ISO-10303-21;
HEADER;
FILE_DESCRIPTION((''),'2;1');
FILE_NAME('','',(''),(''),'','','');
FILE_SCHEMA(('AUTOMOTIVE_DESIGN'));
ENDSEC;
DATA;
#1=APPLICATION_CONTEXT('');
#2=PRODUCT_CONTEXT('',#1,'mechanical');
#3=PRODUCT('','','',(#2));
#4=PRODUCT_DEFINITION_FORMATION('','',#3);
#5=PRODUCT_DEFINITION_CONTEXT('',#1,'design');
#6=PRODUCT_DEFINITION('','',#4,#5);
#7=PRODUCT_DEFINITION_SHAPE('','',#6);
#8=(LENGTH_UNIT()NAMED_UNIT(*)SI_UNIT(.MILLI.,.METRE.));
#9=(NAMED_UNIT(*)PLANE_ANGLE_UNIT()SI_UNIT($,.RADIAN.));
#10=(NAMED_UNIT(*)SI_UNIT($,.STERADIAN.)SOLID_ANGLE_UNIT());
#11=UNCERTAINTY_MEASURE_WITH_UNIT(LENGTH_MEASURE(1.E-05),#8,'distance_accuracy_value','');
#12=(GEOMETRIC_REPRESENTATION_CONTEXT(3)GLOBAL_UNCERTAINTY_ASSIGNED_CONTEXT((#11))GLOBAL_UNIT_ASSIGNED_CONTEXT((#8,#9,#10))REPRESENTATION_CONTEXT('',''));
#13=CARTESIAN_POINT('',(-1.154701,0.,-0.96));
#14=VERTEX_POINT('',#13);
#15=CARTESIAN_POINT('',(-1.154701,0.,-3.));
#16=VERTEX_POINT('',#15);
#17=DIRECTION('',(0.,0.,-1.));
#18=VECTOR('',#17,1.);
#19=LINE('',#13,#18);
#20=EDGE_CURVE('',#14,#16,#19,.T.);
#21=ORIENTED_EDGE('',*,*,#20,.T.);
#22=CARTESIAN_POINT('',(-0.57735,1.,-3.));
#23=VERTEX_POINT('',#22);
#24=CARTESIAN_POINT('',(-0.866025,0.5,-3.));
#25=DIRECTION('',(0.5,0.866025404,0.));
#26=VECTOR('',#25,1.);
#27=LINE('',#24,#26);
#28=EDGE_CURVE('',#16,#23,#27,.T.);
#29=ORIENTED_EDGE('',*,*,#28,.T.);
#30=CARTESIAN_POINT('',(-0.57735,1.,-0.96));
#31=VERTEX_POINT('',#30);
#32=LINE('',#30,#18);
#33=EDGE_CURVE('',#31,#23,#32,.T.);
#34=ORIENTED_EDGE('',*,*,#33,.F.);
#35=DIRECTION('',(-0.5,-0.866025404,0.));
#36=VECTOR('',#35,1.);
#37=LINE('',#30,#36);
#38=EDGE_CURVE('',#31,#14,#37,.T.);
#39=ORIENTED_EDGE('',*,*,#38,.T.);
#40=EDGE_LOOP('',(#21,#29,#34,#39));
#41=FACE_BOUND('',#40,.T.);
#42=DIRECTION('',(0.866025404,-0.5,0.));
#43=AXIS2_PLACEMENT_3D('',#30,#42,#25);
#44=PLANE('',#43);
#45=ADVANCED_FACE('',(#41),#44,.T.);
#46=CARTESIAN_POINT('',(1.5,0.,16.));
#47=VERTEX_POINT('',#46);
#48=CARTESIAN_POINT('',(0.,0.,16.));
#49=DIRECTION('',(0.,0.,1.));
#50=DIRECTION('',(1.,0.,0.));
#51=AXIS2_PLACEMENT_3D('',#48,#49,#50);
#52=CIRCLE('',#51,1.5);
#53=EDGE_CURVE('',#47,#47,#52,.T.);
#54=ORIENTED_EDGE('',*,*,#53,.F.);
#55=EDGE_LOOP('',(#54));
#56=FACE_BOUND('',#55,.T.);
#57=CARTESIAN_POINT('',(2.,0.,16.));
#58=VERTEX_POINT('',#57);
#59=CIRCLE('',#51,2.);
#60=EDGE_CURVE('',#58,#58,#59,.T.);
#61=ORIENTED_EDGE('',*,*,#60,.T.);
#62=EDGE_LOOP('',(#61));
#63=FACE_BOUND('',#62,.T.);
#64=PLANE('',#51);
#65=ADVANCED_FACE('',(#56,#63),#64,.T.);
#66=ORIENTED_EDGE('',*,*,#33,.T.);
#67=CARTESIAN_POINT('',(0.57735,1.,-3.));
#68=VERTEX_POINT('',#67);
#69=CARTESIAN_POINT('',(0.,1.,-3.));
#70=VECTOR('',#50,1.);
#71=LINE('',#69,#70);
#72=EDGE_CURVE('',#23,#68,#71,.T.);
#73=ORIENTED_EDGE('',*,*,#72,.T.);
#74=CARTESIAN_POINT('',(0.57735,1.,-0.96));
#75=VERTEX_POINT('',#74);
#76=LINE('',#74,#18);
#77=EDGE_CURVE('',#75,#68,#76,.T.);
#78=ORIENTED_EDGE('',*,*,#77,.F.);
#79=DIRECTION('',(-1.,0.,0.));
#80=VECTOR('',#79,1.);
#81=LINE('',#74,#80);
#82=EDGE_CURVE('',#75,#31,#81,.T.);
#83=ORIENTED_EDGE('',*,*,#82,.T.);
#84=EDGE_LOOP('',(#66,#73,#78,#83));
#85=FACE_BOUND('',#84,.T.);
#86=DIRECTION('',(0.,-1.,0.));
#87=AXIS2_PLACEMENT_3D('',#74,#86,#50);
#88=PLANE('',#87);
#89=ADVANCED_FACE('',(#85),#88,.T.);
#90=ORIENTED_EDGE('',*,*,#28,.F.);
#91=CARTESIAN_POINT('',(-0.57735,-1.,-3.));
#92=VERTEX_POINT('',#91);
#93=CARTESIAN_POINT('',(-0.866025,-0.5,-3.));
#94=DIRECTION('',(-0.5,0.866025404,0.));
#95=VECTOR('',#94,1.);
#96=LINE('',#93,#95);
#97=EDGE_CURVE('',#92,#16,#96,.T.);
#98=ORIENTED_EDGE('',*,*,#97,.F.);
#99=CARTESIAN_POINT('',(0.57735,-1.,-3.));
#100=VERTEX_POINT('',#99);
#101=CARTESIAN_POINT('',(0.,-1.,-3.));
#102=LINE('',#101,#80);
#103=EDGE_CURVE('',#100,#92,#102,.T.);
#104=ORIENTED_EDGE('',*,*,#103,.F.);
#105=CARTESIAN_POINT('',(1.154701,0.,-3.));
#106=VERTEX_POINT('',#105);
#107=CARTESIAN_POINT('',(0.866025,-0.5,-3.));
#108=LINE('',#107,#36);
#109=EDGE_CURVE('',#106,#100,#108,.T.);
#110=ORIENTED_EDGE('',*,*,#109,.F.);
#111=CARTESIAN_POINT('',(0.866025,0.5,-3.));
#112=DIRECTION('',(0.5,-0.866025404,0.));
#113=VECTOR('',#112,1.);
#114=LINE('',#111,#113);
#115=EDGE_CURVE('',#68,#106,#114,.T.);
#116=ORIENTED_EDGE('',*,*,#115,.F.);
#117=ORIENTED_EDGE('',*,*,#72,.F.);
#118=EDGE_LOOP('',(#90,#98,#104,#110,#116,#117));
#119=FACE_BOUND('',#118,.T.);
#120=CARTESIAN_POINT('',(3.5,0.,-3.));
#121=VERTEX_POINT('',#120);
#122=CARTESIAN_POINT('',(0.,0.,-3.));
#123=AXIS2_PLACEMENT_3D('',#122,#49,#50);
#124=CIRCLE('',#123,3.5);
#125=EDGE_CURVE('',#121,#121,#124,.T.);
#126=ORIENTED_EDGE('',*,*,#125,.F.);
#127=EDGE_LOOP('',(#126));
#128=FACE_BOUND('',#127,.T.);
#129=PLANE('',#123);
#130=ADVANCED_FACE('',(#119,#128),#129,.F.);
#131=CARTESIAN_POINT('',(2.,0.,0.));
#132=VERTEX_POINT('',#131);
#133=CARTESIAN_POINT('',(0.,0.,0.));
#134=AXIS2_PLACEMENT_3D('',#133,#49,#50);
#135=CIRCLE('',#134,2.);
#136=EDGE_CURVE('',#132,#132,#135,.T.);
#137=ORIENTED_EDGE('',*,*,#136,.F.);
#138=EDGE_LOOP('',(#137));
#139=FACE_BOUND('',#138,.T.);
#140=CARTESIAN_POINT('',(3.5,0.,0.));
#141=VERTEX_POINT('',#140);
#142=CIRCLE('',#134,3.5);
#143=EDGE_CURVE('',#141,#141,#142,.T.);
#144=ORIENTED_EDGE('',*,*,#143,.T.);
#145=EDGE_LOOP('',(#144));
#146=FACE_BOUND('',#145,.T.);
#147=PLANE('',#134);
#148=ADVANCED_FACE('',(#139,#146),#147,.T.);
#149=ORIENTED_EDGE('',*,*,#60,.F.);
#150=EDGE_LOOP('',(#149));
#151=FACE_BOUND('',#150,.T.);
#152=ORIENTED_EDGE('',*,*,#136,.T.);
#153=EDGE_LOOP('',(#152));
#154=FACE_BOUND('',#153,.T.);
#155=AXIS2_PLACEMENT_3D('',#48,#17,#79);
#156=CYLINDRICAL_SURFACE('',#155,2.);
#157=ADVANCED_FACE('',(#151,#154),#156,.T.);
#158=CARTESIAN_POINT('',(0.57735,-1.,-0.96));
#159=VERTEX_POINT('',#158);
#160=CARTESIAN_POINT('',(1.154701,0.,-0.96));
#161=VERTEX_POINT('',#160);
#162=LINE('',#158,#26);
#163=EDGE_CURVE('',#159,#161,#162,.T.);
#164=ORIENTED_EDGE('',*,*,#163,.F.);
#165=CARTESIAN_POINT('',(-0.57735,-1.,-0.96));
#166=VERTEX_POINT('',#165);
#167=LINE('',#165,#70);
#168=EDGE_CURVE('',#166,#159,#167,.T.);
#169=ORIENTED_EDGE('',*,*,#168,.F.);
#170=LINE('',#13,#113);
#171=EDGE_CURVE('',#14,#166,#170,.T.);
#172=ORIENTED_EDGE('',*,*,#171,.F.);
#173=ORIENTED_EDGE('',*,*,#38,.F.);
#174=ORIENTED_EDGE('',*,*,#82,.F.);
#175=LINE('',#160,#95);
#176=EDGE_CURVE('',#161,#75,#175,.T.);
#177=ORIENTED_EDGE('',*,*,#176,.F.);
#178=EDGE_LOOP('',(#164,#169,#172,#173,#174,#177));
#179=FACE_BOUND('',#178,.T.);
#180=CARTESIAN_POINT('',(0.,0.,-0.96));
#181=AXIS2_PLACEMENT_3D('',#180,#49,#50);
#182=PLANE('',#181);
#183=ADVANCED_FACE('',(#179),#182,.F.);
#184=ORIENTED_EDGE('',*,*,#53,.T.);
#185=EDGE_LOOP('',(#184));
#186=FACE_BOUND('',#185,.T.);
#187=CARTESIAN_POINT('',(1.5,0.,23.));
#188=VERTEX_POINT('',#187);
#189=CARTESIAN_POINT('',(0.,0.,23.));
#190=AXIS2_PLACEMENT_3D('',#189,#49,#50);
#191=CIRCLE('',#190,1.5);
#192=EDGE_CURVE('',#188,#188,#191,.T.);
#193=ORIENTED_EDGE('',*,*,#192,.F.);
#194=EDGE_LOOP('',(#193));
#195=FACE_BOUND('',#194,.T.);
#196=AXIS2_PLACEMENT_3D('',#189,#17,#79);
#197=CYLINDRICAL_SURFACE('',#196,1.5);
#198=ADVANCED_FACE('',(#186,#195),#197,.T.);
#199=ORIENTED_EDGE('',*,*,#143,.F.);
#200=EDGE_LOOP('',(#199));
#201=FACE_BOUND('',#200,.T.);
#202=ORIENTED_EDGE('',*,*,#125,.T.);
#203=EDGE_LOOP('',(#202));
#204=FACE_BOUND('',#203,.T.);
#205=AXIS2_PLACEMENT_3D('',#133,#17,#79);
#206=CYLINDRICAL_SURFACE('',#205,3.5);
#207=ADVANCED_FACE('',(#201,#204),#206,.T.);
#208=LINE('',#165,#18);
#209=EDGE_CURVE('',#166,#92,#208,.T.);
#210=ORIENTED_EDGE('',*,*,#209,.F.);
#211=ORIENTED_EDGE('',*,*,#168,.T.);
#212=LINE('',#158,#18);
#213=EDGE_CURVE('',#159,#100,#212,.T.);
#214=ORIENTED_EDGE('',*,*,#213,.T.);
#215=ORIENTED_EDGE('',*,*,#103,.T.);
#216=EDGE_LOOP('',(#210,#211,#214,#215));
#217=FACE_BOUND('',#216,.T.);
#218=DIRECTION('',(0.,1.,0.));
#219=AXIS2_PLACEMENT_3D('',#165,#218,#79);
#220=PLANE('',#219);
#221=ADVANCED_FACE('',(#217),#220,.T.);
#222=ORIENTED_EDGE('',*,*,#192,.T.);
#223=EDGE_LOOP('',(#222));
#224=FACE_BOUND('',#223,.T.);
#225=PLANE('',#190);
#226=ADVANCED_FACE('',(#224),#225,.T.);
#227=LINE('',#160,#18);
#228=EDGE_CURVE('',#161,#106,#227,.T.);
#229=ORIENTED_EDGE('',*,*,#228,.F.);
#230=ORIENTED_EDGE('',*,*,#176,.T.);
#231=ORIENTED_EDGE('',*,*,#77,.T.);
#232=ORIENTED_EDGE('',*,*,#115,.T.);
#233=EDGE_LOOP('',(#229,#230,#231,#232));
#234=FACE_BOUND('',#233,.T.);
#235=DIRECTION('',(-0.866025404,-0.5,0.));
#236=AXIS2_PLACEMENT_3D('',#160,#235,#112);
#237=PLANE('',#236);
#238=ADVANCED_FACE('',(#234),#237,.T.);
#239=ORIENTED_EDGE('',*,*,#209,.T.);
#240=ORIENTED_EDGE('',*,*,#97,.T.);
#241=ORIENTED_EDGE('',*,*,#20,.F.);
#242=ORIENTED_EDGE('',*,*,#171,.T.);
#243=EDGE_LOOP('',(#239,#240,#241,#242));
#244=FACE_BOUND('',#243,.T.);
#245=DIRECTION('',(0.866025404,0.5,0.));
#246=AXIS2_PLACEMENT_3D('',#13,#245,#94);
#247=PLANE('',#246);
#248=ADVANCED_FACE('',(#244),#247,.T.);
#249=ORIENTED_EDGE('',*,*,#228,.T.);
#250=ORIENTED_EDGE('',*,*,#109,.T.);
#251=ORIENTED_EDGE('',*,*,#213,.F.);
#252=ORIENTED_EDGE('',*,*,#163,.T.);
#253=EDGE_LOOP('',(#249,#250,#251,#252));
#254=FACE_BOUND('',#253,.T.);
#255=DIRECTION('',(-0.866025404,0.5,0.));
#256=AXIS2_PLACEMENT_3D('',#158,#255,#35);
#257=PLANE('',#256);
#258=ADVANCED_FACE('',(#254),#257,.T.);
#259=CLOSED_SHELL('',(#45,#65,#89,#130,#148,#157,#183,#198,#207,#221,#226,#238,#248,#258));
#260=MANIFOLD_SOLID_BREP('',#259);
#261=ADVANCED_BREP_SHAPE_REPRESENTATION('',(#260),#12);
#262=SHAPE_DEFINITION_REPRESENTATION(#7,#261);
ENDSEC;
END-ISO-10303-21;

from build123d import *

# Parameters (mm, degrees)
F_01_START                             = -3
S01_SOCKET_HEAD_R                      = 3.5
F_01_SOCKET_HEAD_DEPTH                 = 3
S02_GROUND_SHOULDER_R                  = 2
F_02_GROUND_SHOULDER_DEPTH             = 16
F_03_START                             = 16
S03_THREADED_TIP_MAJOR_DIAMETER_R      = 1.5
F_03_THREADED_TIP_MAJOR_DIAMETER_DEPTH = 7
F_04_START                             = -3.1
F_04_HEXAGONAL_DRIVE_DEPTH             = 2.14


with BuildPart() as part:
    # S01 - Socket head → 01 - Socket head (new body)
    with BuildSketch(Plane.XY.offset(F_01_START)):
        Circle(S01_SOCKET_HEAD_R)
    extrude(amount=F_01_SOCKET_HEAD_DEPTH)

    # S02 - Ground shoulder → 02 - Ground shoulder (add)
    with BuildSketch(Plane.XY):
        Circle(S02_GROUND_SHOULDER_R)
    extrude(amount=F_02_GROUND_SHOULDER_DEPTH)

    # S03 - Threaded tip major diameter → 03 - Threaded tip major diameter (add)
    with BuildSketch(Plane.XY.offset(F_03_START)):
        Circle(S03_THREADED_TIP_MAJOR_DIAMETER_R)
    extrude(amount=F_03_THREADED_TIP_MAJOR_DIAMETER_DEPTH)

    # S04 - Hexagonal drive → 04 - Hexagonal drive (cut)
    with BuildSketch(Plane.XY.offset(F_04_START)):
        Polygon((1.154700538, 0), (0.577350269, 1), (-0.577350269, 1), (-1.154700538, 0), (-0.577350269, -1), (0.577350269, -1), align=None)
    extrude(amount=F_04_HEXAGONAL_DRIVE_DEPTH, mode=Mode.SUBTRACT)


solid = part.part
